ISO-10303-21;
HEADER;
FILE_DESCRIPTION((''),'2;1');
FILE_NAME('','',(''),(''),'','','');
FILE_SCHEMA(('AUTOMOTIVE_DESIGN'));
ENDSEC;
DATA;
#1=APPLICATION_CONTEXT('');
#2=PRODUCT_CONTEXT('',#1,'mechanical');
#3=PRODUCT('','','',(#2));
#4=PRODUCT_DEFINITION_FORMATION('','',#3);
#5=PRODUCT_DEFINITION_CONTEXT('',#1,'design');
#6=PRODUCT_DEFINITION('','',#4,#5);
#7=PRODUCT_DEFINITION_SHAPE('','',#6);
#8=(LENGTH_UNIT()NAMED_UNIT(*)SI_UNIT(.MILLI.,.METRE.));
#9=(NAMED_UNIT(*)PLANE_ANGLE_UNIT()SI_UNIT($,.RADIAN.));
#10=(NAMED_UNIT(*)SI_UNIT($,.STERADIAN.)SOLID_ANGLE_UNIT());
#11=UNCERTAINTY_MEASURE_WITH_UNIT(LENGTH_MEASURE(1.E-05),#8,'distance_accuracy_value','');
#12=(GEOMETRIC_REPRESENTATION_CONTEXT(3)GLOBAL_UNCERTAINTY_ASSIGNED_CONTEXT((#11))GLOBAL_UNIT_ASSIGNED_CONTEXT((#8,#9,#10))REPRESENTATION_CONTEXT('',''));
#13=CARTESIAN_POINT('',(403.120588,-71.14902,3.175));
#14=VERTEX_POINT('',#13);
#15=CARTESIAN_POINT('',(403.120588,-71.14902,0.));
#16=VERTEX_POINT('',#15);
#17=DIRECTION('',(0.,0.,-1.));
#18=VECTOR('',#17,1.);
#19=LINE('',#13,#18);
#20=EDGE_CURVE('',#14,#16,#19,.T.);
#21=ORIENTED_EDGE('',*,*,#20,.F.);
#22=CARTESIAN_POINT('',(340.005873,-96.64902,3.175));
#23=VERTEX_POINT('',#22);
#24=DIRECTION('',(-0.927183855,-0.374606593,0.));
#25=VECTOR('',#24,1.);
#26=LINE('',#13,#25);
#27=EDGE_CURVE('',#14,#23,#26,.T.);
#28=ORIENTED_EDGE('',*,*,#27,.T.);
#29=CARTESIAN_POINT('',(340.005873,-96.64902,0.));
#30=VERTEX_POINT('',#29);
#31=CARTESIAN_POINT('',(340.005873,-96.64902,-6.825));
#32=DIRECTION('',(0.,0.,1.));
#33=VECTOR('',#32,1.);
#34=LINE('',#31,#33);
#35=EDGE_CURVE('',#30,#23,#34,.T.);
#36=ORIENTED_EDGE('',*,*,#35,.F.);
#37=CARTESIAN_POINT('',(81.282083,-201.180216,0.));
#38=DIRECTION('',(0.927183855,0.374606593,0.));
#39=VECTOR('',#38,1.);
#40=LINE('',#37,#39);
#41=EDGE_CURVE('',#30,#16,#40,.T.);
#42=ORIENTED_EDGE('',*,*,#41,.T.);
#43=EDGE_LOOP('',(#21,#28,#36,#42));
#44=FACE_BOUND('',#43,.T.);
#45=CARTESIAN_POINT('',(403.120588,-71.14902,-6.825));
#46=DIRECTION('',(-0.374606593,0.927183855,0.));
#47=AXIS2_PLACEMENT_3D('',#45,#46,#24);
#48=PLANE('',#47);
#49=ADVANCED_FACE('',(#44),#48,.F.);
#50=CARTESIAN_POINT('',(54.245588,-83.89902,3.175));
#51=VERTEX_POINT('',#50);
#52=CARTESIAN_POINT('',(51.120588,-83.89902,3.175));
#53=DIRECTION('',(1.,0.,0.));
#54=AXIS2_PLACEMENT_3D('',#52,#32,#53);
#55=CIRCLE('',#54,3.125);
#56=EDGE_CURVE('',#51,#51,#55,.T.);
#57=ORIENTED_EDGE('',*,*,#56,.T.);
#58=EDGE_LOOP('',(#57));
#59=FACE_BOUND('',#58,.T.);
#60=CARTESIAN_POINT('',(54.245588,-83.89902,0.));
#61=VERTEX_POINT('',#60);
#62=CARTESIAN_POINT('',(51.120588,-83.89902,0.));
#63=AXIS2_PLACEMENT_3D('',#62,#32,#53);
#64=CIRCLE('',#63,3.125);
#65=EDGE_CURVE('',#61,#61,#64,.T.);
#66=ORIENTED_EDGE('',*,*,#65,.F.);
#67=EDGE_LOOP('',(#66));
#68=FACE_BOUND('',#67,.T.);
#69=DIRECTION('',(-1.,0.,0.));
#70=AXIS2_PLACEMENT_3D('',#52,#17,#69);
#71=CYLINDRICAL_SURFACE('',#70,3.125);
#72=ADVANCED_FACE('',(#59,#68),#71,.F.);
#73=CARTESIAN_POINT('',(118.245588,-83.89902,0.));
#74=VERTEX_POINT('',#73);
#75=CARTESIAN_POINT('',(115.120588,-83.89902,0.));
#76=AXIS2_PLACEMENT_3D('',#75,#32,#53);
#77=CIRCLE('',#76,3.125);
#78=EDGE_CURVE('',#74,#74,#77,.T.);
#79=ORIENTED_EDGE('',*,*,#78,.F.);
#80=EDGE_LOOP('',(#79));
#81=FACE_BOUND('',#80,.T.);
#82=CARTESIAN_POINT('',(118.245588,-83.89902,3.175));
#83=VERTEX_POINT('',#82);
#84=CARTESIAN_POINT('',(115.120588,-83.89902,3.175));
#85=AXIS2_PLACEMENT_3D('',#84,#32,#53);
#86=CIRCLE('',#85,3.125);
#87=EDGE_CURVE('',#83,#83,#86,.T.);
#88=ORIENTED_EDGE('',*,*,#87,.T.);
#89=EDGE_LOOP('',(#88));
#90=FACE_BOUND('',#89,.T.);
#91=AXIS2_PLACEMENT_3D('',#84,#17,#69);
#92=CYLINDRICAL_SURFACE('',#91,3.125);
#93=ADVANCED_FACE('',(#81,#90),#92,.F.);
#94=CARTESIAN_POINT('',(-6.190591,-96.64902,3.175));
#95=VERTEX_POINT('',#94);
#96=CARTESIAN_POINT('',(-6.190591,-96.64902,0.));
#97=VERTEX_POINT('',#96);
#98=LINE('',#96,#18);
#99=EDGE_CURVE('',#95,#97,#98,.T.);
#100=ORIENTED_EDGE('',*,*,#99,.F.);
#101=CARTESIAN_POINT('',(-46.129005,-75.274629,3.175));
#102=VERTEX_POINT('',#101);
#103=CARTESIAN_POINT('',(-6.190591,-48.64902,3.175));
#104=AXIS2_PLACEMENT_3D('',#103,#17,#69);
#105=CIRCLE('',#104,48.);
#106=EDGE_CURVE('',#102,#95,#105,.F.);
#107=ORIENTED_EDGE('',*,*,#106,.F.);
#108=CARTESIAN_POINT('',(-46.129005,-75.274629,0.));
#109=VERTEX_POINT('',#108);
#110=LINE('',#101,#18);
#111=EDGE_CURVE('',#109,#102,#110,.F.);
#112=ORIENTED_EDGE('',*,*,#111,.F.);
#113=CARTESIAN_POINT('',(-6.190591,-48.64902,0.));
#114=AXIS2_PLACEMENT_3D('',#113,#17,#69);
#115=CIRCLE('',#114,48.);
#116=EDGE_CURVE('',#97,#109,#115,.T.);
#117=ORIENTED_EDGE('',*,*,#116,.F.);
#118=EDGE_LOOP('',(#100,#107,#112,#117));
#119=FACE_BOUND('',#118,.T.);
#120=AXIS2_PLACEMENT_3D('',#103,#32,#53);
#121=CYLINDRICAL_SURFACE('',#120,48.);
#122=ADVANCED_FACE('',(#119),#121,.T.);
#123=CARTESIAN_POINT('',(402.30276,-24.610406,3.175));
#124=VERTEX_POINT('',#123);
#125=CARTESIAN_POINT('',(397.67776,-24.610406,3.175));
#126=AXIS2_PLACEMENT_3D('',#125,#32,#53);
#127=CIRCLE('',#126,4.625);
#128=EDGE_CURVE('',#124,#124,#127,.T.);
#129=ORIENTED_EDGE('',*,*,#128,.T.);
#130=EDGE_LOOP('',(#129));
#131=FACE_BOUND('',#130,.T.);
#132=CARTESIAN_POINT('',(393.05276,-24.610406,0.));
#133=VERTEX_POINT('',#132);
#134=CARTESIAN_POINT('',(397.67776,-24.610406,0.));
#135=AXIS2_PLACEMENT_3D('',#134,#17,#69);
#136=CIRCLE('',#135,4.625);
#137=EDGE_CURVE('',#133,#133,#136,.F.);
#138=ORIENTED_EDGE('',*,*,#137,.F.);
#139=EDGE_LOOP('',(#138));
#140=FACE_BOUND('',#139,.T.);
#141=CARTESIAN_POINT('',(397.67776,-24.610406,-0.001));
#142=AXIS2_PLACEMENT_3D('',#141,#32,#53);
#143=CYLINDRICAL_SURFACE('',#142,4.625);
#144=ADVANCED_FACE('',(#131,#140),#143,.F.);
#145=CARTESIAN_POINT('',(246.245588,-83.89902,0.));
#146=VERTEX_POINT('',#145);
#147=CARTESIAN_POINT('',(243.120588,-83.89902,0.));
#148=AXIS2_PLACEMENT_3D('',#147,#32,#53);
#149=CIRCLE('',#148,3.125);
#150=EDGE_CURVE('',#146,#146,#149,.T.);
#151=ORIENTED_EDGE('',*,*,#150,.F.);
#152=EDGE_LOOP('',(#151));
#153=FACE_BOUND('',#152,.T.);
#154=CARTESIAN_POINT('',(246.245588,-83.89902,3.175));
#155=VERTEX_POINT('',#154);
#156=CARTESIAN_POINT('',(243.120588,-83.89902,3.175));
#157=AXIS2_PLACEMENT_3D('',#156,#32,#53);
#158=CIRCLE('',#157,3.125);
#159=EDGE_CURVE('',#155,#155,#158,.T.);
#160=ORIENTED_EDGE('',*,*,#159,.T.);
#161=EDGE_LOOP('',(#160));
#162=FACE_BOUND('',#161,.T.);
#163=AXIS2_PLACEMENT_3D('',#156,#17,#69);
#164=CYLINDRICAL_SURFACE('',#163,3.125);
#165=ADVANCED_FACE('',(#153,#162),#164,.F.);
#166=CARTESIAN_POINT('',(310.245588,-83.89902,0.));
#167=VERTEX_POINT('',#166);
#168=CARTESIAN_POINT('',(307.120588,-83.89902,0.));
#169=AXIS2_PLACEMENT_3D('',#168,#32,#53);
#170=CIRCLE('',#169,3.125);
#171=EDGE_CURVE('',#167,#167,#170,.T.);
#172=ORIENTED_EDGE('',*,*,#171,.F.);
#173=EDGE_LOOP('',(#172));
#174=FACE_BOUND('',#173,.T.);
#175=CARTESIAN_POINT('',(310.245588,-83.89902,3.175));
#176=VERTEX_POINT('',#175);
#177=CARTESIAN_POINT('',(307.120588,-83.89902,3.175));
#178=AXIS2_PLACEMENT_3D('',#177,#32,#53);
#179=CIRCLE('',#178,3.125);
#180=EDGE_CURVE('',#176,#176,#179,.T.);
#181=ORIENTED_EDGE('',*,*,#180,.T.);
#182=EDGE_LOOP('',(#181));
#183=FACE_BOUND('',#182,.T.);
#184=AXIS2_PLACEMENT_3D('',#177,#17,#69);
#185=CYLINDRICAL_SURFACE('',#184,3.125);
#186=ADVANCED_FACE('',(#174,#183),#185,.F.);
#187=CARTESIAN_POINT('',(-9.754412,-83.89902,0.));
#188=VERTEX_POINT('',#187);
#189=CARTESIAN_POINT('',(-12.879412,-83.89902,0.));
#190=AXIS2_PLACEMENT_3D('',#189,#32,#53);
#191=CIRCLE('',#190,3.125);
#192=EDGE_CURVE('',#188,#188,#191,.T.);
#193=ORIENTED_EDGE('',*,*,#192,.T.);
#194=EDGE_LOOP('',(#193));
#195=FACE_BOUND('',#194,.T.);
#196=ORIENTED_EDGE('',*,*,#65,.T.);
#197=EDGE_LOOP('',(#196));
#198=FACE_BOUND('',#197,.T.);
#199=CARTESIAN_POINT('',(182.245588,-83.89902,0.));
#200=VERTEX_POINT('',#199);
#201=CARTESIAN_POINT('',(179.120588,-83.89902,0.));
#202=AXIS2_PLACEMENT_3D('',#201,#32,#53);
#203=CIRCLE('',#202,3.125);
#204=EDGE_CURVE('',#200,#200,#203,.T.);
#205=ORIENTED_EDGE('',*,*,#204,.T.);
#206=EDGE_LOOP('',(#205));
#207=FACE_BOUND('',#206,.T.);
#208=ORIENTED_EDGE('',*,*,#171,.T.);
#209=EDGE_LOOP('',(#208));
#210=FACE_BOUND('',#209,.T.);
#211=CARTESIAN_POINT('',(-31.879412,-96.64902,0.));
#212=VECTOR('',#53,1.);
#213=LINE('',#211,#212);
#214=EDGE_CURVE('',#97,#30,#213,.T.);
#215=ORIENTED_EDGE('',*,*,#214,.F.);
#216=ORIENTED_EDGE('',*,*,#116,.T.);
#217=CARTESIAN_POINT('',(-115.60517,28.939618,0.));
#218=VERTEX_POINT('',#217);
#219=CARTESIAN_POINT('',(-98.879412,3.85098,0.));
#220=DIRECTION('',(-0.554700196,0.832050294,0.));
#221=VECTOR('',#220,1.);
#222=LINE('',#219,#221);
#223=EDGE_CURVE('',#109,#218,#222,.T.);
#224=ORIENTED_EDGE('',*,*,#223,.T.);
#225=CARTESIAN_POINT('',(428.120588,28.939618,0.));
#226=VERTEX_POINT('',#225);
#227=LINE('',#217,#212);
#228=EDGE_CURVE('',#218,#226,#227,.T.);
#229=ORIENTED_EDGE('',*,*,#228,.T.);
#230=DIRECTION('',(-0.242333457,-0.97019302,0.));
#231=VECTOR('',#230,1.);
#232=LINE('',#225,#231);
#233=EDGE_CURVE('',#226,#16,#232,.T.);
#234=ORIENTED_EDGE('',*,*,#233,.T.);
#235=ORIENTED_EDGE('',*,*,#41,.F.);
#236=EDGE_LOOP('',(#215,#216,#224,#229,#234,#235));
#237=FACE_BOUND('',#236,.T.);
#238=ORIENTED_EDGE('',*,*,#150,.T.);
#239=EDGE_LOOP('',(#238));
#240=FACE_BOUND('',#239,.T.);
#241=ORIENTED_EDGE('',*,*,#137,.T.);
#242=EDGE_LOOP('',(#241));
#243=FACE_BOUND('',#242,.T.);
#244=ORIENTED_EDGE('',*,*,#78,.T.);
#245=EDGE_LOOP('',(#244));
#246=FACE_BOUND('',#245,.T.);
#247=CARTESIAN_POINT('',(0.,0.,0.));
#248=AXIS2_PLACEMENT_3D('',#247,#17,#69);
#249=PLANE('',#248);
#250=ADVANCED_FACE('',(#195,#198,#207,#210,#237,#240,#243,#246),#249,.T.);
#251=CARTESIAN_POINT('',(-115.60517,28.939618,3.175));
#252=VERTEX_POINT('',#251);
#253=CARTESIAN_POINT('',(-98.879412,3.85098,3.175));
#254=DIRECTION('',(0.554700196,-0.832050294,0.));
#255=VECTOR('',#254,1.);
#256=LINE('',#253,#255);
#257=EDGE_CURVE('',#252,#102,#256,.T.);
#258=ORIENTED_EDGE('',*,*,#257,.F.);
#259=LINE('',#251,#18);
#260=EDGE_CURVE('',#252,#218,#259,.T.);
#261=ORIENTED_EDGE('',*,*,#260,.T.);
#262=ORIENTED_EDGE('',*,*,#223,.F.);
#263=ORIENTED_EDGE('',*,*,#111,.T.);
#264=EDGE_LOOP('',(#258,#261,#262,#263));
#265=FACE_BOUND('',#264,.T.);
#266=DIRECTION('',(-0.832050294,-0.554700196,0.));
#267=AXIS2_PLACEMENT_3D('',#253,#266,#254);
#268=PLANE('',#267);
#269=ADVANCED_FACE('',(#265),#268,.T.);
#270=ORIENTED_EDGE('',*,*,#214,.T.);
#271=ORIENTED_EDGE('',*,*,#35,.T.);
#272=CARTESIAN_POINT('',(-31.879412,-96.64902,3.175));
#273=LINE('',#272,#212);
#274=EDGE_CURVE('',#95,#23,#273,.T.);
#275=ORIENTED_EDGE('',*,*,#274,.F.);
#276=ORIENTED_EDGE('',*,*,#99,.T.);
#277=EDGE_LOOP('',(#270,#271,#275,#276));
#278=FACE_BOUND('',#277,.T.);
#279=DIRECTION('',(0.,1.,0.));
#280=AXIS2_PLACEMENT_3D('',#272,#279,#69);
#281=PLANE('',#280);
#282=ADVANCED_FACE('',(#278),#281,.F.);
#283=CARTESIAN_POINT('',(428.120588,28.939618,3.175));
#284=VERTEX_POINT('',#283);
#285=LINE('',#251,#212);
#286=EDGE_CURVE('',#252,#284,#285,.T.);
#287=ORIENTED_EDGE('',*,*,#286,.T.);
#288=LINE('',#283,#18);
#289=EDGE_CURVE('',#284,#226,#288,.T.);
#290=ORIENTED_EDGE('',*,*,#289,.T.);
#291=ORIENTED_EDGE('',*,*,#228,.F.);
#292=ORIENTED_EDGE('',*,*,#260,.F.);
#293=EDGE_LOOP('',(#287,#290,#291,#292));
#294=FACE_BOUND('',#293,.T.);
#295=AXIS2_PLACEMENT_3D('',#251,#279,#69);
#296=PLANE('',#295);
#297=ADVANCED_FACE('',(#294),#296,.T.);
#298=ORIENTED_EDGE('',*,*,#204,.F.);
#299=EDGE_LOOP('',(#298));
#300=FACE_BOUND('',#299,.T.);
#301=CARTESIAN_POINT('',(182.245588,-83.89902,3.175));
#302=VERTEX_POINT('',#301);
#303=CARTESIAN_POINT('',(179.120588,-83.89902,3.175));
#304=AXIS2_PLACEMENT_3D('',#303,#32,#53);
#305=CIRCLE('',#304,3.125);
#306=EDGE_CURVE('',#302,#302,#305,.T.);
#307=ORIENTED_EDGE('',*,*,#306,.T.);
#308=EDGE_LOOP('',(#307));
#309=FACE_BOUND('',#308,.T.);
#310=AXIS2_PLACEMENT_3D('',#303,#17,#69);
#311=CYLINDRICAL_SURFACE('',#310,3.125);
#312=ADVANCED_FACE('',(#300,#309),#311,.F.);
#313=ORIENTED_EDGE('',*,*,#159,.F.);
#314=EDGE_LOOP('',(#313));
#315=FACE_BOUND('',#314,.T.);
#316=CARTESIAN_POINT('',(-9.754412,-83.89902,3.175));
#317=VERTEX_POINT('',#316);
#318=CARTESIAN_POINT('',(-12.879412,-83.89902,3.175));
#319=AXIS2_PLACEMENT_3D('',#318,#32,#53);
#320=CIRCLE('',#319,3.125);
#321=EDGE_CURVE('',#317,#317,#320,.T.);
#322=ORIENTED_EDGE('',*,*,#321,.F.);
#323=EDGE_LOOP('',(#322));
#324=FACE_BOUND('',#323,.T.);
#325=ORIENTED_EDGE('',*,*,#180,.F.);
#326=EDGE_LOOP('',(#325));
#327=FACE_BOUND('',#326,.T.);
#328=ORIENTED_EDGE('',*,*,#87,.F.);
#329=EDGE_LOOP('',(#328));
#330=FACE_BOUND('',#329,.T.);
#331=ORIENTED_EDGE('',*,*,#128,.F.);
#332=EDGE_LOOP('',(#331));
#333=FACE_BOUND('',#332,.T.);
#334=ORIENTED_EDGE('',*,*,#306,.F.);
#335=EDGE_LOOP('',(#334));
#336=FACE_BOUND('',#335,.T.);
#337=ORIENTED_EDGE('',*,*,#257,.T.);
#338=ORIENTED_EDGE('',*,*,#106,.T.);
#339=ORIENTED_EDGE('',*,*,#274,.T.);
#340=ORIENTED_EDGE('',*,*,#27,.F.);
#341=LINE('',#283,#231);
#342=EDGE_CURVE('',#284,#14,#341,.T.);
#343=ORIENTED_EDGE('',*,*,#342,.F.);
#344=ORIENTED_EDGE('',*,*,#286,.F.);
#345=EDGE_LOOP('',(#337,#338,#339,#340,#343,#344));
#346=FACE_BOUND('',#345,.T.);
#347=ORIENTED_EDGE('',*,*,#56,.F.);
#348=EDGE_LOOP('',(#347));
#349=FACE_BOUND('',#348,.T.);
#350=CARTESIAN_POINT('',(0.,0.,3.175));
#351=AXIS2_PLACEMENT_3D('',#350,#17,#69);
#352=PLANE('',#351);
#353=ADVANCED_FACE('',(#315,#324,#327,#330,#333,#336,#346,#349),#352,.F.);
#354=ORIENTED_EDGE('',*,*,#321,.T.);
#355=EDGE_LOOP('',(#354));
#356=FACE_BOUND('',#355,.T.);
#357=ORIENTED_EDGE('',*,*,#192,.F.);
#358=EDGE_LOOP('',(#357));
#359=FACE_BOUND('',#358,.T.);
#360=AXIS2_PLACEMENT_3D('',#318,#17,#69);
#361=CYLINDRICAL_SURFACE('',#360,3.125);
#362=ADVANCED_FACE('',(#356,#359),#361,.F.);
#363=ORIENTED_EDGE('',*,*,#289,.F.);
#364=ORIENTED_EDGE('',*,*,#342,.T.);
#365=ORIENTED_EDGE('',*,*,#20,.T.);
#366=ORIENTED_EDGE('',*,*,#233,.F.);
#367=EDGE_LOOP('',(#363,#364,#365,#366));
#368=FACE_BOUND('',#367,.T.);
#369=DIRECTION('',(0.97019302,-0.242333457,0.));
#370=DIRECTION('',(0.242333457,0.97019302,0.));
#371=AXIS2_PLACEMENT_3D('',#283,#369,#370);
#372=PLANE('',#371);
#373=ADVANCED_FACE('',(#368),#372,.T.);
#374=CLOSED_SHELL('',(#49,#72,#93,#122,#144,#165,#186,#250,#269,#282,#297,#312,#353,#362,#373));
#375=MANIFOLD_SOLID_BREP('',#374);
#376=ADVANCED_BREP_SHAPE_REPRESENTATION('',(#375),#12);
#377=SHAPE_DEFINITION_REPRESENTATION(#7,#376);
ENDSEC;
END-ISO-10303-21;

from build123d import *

# Parameters (mm, degrees)
BOSS_EXTRUDE1_DEPTH = 3.175
SKETCH1_4_R         = 3.125
CUT_EXTRUDE1_DEPTH  = 439.905857431
FILLET1_R           = 48
CUT_EXTRUDE3_DEPTH  = 10
CUT_EXTRUDE5_REACH  = 440.906
SKETCH12_R          = 4.625


with BuildPart() as part:
    # Sketch1 → Boss-Extrude1 (new body)
    with BuildSketch(Plane.XY):
        Polygon((-98.879411765, 3.850980392), (-31.879411765, -96.649019608), (366, -96.649019608), (403.120588235, -71.149019608), (428.120588235, 28.939617947), (-115.605170134, 28.939617947), align=None)
    extrude(amount=BOSS_EXTRUDE1_DEPTH)

    # Sketch1<4> → Cut-Extrude1 (cut, through all)
    with BuildSketch(Plane.XY):
        with Locations((-12.879411765, -83.899019608)):
            Circle(SKETCH1_4_R)
        with Locations((51.120588235, -83.899019608)):
            Circle(SKETCH1_4_R)
        with Locations((115.120588235, -83.899019608)):
            Circle(SKETCH1_4_R)
        with Locations((179.120588235, -83.899019608)):
            Circle(SKETCH1_4_R)
        with Locations((243.120588235, -83.899019608)):
            Circle(SKETCH1_4_R)
        with Locations((307.120588235, -83.899019608)):
            Circle(SKETCH1_4_R)
    extrude(amount=CUT_EXTRUDE1_DEPTH, mode=Mode.SUBTRACT)

    # Fillet1
    fillet1_edges = [part.edges().sort_by_distance(p)[0] for p in [
        (-31.879411765, -96.649019608, 1.5875),
    ]]
    fillet(fillet1_edges, radius=FILLET1_R)

    # Sketch7 → Cut-Extrude3 (cut)
    with BuildSketch(Plane.XY.offset(3.175)):
        Polygon((403.120588235, -71.149019608), (340.005873473, -96.649019608), (366, -96.649019608), align=None)
    extrude(amount=-CUT_EXTRUDE3_DEPTH, mode=Mode.SUBTRACT)

    # Sketch12 → Cut-Extrude5 (cut, up to next)
    with BuildSketch(Plane.XY.offset(3.175), mode=Mode.PRIVATE) as cut_extrude5_sk1:
        with Locations((397.677759779, -24.610405856)):
            Circle(SKETCH12_R)
    cut_extrude5_tool1 = extrude(cut_extrude5_sk1.sketch, amount=-CUT_EXTRUDE5_REACH, mode=Mode.PRIVATE) & part.part
    add(cut_extrude5_tool1.solids().sort_by_distance((397.67776, -24.610406, 3.175))[0], mode=Mode.SUBTRACT)


solid = part.part
